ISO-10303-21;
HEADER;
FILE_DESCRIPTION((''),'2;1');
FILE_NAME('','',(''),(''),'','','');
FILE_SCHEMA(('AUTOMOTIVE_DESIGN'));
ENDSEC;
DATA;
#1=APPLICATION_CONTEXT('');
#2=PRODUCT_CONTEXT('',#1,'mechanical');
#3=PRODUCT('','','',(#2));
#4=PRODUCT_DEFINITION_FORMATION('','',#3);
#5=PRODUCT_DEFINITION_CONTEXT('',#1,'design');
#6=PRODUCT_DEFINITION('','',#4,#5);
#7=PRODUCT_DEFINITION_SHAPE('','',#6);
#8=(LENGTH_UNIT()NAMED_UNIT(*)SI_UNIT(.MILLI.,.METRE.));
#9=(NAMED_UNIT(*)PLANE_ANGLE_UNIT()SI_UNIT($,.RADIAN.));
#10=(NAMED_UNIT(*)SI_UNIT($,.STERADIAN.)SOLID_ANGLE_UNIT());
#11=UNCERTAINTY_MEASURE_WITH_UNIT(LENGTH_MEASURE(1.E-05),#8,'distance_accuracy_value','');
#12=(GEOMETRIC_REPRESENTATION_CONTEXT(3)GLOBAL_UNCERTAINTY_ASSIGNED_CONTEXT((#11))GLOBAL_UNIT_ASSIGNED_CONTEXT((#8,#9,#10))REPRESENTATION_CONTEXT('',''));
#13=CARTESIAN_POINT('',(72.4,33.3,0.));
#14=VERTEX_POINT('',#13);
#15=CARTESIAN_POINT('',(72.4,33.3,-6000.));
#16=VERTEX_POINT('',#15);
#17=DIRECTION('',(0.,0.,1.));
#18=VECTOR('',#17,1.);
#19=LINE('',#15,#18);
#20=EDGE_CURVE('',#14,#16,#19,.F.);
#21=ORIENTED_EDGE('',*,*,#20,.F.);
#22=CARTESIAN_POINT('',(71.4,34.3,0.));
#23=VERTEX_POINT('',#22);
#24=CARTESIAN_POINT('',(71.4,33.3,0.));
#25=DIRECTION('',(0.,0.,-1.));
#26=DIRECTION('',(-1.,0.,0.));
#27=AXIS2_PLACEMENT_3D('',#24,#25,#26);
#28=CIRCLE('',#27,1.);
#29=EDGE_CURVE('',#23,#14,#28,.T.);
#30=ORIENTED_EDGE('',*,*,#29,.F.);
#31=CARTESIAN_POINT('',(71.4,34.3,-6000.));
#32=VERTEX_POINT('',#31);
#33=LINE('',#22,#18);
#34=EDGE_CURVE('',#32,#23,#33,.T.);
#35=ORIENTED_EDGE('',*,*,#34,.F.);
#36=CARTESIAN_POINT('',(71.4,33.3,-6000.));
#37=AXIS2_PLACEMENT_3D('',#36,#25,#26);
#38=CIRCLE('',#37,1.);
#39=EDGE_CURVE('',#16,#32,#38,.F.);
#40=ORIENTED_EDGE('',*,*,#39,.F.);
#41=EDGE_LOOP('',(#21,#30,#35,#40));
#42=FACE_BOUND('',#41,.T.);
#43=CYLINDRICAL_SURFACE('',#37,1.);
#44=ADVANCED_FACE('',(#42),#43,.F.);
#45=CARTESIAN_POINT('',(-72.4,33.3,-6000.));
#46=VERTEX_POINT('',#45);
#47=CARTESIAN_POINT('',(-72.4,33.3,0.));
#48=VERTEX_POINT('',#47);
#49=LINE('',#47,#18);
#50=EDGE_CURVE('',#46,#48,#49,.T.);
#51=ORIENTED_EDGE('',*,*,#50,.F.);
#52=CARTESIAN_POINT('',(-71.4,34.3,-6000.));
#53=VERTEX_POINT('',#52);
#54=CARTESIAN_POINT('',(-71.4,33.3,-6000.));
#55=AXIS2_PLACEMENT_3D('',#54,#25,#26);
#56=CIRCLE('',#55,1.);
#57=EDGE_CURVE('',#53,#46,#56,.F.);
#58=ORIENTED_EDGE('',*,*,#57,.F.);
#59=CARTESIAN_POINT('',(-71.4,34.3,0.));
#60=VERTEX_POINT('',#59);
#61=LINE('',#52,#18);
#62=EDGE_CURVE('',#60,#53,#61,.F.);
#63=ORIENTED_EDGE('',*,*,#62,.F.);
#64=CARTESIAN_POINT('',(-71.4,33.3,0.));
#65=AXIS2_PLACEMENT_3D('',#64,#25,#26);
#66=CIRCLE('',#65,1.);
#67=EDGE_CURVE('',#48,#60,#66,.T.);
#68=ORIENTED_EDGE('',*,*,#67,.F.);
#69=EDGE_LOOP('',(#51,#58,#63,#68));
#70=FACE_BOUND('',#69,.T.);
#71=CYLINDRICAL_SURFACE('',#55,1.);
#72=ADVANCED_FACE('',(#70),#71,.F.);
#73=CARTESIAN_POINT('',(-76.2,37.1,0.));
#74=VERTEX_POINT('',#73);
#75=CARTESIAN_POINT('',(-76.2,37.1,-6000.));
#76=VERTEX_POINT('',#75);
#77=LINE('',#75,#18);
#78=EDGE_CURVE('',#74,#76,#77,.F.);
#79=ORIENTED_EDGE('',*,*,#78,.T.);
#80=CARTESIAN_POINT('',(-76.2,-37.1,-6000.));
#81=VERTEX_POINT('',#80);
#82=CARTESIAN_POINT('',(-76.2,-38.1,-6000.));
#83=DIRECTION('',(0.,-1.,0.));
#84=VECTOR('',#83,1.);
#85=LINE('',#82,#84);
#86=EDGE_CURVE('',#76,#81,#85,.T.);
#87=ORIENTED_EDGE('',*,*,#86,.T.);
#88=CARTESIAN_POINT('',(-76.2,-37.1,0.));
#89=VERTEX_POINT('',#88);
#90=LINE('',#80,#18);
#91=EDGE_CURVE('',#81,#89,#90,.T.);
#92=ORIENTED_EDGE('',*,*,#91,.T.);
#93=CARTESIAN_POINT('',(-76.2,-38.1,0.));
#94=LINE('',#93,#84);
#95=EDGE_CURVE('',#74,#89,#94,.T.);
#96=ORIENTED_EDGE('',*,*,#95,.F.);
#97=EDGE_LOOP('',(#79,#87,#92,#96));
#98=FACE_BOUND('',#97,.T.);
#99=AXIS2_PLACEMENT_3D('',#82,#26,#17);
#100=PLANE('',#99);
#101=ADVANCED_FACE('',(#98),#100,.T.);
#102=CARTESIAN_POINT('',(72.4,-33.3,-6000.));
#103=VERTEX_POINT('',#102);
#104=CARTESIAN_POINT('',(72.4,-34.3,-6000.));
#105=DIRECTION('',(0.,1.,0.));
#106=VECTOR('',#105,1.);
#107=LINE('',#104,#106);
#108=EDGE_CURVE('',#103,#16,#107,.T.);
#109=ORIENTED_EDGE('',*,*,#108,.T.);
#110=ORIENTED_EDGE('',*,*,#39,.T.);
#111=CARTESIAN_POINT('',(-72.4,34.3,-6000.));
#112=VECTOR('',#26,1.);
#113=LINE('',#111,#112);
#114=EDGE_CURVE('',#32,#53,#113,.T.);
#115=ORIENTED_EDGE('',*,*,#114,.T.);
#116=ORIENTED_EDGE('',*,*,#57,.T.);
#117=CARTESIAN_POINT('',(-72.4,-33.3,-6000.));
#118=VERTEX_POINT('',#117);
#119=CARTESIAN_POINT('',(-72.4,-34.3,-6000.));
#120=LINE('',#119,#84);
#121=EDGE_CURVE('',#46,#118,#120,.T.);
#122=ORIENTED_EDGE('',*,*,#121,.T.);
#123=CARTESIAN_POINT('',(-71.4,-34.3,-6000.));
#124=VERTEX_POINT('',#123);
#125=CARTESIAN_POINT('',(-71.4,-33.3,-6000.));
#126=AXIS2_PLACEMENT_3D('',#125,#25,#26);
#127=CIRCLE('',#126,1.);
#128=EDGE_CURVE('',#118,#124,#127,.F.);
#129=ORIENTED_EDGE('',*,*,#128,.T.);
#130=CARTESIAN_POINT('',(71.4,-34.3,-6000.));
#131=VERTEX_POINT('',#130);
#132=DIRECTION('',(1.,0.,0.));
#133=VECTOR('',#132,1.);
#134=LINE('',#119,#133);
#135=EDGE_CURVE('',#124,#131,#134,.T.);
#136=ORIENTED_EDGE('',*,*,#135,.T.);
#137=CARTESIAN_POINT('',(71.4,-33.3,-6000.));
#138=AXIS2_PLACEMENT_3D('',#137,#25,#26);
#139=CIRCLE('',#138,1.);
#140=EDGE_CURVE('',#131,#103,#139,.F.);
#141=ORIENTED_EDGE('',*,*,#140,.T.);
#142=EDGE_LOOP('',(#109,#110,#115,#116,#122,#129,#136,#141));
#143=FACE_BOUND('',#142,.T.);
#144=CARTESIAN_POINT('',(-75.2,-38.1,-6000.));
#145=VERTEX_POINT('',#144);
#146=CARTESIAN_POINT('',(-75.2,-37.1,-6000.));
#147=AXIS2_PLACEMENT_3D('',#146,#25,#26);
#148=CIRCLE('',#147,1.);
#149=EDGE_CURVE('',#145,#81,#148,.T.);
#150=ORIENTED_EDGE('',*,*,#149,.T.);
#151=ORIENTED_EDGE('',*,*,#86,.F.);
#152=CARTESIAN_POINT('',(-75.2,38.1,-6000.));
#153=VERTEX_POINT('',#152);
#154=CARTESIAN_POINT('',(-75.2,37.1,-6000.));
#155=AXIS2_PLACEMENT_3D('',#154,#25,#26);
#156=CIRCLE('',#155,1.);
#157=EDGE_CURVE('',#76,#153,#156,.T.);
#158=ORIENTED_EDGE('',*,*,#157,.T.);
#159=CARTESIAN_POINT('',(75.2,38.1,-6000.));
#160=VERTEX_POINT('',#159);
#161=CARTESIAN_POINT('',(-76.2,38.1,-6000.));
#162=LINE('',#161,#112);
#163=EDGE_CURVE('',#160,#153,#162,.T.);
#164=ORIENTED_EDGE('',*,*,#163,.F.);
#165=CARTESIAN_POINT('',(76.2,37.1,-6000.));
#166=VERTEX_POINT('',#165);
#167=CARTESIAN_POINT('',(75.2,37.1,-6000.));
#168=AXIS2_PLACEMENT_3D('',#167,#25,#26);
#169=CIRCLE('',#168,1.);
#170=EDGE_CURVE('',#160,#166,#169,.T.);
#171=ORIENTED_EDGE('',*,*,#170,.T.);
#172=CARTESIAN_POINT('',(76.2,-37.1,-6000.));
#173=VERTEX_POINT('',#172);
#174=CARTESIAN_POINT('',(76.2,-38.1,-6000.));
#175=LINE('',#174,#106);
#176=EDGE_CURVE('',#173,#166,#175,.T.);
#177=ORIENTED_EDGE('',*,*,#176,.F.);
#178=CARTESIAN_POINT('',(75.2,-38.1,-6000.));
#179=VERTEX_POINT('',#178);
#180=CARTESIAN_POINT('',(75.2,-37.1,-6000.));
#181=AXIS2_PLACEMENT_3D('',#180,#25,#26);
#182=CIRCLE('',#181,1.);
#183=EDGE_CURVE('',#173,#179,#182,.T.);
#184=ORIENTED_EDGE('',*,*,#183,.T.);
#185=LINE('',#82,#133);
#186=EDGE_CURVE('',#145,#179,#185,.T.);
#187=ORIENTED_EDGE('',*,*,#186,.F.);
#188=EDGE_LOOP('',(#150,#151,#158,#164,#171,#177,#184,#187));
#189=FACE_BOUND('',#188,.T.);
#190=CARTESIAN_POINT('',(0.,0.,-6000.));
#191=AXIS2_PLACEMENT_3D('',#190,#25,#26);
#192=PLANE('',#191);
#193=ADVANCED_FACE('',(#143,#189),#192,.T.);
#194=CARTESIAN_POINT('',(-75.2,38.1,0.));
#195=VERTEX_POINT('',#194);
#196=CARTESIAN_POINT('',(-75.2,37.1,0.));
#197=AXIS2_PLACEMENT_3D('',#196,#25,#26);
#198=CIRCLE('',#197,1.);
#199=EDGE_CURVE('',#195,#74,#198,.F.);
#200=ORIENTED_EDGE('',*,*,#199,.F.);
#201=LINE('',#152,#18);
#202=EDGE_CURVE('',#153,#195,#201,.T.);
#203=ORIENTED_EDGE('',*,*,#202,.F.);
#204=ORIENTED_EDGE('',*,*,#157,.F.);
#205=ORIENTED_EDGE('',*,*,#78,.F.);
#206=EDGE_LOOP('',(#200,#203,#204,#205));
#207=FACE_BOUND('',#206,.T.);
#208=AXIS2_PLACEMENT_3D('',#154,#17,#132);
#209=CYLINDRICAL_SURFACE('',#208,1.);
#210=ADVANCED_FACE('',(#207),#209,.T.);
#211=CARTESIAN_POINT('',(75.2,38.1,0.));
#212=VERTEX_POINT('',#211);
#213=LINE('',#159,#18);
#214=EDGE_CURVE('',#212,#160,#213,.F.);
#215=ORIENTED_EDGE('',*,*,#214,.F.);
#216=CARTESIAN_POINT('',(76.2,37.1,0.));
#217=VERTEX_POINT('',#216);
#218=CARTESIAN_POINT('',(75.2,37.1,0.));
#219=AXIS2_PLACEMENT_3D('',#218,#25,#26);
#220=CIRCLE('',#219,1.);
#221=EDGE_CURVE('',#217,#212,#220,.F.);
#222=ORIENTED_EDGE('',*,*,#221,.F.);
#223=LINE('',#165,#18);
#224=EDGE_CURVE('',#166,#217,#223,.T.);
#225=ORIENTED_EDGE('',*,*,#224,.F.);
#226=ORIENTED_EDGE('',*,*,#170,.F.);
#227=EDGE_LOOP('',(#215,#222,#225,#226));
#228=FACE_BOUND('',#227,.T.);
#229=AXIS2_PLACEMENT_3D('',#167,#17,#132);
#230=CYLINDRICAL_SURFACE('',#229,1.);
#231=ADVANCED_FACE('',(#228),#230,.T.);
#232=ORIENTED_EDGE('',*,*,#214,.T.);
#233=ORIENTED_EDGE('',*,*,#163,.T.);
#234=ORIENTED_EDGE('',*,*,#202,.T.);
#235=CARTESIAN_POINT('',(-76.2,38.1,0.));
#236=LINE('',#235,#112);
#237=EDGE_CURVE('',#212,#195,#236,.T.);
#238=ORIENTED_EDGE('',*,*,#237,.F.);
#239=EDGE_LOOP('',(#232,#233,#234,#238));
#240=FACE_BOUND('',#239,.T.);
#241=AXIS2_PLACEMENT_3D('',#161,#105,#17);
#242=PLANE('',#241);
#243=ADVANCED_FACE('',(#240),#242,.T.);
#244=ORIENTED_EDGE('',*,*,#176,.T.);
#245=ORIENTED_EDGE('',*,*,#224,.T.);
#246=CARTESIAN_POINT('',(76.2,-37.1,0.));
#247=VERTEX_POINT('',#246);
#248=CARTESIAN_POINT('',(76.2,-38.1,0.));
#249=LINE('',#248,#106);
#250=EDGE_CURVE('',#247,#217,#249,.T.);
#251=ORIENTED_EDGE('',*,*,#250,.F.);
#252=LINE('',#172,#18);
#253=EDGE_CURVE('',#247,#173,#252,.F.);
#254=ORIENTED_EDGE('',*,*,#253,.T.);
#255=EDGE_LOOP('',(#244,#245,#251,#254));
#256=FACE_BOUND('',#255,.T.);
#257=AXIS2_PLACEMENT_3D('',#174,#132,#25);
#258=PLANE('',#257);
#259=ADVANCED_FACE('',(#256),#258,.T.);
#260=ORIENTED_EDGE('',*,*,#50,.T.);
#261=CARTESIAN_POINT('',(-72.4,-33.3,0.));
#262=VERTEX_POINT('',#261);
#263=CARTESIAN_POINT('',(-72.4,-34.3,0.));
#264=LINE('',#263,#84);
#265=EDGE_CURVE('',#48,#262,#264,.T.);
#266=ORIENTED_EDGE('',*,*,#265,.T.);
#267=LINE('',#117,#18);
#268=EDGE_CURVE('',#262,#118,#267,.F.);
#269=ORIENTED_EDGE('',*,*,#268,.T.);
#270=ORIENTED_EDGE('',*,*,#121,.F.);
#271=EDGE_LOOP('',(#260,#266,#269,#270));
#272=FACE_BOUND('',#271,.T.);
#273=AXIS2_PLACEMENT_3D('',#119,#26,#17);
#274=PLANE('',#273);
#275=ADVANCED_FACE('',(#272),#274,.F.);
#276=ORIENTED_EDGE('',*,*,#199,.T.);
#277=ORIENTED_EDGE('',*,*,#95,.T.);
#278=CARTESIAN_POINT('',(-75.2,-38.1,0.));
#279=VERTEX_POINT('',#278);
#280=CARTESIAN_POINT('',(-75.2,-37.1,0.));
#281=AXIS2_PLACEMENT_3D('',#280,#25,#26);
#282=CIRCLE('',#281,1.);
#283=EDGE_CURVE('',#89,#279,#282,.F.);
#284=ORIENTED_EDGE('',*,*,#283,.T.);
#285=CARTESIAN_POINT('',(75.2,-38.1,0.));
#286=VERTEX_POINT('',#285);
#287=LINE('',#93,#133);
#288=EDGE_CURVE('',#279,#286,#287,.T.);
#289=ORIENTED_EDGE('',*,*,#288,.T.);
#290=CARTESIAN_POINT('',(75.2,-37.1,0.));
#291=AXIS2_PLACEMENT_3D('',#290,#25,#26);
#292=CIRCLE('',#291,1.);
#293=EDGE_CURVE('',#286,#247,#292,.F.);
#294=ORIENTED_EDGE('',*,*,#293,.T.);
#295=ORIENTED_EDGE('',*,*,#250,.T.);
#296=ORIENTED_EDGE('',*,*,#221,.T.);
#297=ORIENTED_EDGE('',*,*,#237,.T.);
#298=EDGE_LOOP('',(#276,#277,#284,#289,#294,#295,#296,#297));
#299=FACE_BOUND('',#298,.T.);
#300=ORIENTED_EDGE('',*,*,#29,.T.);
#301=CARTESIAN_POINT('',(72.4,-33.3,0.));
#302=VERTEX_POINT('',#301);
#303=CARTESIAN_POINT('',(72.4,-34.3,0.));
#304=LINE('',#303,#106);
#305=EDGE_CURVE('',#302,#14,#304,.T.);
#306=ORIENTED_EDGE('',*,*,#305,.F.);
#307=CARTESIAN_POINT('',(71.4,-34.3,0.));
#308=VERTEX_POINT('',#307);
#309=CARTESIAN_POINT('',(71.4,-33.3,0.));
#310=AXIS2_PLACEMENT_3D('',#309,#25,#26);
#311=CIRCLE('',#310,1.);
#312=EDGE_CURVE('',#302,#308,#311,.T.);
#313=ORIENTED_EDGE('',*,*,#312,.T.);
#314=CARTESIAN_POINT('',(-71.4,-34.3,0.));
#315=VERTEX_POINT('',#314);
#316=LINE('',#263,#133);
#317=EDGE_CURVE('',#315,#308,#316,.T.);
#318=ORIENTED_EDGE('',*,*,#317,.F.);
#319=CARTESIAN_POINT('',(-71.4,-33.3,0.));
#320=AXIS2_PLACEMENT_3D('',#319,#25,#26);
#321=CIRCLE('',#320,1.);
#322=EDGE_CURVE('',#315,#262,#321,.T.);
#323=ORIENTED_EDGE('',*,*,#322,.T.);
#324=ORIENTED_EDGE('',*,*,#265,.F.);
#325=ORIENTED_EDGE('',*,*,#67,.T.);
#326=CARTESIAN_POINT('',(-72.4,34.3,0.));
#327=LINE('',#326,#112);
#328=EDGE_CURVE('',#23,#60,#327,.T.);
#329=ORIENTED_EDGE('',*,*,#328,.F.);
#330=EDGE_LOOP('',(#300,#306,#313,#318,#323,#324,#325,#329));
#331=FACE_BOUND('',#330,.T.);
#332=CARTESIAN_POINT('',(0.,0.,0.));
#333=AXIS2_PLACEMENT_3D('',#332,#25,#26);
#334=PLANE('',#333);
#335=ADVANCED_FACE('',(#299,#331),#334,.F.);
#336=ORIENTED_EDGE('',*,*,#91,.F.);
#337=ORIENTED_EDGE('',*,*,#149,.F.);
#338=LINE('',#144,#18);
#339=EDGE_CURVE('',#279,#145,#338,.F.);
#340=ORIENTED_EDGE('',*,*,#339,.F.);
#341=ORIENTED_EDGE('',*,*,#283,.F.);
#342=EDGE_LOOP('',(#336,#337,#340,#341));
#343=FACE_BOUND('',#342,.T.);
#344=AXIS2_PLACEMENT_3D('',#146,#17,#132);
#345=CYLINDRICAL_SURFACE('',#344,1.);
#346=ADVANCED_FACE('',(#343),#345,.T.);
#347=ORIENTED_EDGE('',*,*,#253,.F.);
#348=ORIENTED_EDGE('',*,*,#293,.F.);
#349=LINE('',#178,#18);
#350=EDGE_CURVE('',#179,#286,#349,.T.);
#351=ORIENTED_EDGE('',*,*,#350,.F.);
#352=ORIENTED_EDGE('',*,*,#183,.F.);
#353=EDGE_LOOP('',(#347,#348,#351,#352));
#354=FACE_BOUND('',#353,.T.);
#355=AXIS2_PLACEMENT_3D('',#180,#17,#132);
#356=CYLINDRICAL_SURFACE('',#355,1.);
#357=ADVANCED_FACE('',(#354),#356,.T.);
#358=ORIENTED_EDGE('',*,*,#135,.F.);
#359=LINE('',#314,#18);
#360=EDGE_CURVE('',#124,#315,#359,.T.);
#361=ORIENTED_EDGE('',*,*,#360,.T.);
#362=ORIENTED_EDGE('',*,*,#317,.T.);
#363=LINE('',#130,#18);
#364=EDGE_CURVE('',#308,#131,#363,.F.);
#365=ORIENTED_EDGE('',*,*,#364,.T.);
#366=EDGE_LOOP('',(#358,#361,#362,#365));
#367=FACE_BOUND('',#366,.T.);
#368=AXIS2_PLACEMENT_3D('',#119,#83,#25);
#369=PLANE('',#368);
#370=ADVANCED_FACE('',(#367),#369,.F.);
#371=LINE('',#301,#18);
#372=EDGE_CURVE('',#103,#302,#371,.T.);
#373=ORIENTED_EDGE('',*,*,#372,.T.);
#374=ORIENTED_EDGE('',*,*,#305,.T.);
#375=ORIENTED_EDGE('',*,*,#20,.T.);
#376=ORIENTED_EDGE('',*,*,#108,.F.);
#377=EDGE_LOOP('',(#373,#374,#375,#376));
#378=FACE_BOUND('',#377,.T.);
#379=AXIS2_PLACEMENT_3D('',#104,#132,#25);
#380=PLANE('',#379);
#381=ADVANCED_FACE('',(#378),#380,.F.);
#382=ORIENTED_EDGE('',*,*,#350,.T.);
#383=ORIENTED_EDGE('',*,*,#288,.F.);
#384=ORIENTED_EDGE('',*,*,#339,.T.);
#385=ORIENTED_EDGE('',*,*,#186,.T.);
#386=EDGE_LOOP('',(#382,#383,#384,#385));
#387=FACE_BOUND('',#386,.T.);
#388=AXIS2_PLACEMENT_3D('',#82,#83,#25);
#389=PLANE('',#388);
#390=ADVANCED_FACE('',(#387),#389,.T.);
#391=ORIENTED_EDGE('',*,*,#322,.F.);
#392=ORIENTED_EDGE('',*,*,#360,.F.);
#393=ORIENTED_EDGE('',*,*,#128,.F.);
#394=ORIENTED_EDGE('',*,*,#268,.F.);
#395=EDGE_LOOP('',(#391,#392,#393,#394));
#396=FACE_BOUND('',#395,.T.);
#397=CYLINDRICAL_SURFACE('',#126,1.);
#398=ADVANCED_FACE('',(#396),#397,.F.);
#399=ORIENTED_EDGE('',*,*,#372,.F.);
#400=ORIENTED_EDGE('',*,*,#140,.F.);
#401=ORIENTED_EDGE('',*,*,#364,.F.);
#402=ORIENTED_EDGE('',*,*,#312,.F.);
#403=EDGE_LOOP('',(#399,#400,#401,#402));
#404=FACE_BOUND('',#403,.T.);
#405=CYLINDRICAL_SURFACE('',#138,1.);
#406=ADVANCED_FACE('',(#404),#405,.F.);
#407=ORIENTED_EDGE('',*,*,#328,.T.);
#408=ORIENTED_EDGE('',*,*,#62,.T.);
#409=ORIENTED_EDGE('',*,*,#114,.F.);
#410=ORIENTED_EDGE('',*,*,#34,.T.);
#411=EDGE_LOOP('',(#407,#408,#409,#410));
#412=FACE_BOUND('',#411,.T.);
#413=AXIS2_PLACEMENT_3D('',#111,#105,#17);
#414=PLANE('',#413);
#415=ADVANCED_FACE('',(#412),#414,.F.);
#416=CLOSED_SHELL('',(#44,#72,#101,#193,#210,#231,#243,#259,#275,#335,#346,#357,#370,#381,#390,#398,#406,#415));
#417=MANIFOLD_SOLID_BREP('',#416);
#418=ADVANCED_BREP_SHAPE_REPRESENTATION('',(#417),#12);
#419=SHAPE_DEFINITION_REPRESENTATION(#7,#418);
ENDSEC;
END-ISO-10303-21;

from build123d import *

# Parameters (mm, degrees)
CROQUIS1_W              = 152.4
CROQUIS1_H              = 76.2
CROQUIS1_W_2            = 144.8
CROQUIS1_H_2            = 68.6
SALIENTE_EXTRUIR1_DEPTH = 6000
REDONDEO1_R             = 1


with BuildPart() as part:
    # Croquis1 → Saliente-Extruir1 (new body)
    with BuildSketch(Plane.XY):
        Rectangle(CROQUIS1_W, CROQUIS1_H)
        Rectangle(CROQUIS1_W_2, CROQUIS1_H_2, mode=Mode.SUBTRACT)
    extrude(amount=-SALIENTE_EXTRUIR1_DEPTH)

    # Redondeo1
    redondeo1_edges = [part.edges().sort_by_distance(p)[0] for p in [
        (72.4, -34.3, -3000),
        (-72.4, -34.3, -3000),
        (-72.4, 34.3, -3000),
        (72.4, 34.3, -3000),
        (76.2, -38.1, -3000),
        (-76.2, -38.1, -3000),
        (-76.2, 38.1, -3000),
        (76.2, 38.1, -3000),
    ]]
    fillet(redondeo1_edges, radius=REDONDEO1_R)


solid = part.part
